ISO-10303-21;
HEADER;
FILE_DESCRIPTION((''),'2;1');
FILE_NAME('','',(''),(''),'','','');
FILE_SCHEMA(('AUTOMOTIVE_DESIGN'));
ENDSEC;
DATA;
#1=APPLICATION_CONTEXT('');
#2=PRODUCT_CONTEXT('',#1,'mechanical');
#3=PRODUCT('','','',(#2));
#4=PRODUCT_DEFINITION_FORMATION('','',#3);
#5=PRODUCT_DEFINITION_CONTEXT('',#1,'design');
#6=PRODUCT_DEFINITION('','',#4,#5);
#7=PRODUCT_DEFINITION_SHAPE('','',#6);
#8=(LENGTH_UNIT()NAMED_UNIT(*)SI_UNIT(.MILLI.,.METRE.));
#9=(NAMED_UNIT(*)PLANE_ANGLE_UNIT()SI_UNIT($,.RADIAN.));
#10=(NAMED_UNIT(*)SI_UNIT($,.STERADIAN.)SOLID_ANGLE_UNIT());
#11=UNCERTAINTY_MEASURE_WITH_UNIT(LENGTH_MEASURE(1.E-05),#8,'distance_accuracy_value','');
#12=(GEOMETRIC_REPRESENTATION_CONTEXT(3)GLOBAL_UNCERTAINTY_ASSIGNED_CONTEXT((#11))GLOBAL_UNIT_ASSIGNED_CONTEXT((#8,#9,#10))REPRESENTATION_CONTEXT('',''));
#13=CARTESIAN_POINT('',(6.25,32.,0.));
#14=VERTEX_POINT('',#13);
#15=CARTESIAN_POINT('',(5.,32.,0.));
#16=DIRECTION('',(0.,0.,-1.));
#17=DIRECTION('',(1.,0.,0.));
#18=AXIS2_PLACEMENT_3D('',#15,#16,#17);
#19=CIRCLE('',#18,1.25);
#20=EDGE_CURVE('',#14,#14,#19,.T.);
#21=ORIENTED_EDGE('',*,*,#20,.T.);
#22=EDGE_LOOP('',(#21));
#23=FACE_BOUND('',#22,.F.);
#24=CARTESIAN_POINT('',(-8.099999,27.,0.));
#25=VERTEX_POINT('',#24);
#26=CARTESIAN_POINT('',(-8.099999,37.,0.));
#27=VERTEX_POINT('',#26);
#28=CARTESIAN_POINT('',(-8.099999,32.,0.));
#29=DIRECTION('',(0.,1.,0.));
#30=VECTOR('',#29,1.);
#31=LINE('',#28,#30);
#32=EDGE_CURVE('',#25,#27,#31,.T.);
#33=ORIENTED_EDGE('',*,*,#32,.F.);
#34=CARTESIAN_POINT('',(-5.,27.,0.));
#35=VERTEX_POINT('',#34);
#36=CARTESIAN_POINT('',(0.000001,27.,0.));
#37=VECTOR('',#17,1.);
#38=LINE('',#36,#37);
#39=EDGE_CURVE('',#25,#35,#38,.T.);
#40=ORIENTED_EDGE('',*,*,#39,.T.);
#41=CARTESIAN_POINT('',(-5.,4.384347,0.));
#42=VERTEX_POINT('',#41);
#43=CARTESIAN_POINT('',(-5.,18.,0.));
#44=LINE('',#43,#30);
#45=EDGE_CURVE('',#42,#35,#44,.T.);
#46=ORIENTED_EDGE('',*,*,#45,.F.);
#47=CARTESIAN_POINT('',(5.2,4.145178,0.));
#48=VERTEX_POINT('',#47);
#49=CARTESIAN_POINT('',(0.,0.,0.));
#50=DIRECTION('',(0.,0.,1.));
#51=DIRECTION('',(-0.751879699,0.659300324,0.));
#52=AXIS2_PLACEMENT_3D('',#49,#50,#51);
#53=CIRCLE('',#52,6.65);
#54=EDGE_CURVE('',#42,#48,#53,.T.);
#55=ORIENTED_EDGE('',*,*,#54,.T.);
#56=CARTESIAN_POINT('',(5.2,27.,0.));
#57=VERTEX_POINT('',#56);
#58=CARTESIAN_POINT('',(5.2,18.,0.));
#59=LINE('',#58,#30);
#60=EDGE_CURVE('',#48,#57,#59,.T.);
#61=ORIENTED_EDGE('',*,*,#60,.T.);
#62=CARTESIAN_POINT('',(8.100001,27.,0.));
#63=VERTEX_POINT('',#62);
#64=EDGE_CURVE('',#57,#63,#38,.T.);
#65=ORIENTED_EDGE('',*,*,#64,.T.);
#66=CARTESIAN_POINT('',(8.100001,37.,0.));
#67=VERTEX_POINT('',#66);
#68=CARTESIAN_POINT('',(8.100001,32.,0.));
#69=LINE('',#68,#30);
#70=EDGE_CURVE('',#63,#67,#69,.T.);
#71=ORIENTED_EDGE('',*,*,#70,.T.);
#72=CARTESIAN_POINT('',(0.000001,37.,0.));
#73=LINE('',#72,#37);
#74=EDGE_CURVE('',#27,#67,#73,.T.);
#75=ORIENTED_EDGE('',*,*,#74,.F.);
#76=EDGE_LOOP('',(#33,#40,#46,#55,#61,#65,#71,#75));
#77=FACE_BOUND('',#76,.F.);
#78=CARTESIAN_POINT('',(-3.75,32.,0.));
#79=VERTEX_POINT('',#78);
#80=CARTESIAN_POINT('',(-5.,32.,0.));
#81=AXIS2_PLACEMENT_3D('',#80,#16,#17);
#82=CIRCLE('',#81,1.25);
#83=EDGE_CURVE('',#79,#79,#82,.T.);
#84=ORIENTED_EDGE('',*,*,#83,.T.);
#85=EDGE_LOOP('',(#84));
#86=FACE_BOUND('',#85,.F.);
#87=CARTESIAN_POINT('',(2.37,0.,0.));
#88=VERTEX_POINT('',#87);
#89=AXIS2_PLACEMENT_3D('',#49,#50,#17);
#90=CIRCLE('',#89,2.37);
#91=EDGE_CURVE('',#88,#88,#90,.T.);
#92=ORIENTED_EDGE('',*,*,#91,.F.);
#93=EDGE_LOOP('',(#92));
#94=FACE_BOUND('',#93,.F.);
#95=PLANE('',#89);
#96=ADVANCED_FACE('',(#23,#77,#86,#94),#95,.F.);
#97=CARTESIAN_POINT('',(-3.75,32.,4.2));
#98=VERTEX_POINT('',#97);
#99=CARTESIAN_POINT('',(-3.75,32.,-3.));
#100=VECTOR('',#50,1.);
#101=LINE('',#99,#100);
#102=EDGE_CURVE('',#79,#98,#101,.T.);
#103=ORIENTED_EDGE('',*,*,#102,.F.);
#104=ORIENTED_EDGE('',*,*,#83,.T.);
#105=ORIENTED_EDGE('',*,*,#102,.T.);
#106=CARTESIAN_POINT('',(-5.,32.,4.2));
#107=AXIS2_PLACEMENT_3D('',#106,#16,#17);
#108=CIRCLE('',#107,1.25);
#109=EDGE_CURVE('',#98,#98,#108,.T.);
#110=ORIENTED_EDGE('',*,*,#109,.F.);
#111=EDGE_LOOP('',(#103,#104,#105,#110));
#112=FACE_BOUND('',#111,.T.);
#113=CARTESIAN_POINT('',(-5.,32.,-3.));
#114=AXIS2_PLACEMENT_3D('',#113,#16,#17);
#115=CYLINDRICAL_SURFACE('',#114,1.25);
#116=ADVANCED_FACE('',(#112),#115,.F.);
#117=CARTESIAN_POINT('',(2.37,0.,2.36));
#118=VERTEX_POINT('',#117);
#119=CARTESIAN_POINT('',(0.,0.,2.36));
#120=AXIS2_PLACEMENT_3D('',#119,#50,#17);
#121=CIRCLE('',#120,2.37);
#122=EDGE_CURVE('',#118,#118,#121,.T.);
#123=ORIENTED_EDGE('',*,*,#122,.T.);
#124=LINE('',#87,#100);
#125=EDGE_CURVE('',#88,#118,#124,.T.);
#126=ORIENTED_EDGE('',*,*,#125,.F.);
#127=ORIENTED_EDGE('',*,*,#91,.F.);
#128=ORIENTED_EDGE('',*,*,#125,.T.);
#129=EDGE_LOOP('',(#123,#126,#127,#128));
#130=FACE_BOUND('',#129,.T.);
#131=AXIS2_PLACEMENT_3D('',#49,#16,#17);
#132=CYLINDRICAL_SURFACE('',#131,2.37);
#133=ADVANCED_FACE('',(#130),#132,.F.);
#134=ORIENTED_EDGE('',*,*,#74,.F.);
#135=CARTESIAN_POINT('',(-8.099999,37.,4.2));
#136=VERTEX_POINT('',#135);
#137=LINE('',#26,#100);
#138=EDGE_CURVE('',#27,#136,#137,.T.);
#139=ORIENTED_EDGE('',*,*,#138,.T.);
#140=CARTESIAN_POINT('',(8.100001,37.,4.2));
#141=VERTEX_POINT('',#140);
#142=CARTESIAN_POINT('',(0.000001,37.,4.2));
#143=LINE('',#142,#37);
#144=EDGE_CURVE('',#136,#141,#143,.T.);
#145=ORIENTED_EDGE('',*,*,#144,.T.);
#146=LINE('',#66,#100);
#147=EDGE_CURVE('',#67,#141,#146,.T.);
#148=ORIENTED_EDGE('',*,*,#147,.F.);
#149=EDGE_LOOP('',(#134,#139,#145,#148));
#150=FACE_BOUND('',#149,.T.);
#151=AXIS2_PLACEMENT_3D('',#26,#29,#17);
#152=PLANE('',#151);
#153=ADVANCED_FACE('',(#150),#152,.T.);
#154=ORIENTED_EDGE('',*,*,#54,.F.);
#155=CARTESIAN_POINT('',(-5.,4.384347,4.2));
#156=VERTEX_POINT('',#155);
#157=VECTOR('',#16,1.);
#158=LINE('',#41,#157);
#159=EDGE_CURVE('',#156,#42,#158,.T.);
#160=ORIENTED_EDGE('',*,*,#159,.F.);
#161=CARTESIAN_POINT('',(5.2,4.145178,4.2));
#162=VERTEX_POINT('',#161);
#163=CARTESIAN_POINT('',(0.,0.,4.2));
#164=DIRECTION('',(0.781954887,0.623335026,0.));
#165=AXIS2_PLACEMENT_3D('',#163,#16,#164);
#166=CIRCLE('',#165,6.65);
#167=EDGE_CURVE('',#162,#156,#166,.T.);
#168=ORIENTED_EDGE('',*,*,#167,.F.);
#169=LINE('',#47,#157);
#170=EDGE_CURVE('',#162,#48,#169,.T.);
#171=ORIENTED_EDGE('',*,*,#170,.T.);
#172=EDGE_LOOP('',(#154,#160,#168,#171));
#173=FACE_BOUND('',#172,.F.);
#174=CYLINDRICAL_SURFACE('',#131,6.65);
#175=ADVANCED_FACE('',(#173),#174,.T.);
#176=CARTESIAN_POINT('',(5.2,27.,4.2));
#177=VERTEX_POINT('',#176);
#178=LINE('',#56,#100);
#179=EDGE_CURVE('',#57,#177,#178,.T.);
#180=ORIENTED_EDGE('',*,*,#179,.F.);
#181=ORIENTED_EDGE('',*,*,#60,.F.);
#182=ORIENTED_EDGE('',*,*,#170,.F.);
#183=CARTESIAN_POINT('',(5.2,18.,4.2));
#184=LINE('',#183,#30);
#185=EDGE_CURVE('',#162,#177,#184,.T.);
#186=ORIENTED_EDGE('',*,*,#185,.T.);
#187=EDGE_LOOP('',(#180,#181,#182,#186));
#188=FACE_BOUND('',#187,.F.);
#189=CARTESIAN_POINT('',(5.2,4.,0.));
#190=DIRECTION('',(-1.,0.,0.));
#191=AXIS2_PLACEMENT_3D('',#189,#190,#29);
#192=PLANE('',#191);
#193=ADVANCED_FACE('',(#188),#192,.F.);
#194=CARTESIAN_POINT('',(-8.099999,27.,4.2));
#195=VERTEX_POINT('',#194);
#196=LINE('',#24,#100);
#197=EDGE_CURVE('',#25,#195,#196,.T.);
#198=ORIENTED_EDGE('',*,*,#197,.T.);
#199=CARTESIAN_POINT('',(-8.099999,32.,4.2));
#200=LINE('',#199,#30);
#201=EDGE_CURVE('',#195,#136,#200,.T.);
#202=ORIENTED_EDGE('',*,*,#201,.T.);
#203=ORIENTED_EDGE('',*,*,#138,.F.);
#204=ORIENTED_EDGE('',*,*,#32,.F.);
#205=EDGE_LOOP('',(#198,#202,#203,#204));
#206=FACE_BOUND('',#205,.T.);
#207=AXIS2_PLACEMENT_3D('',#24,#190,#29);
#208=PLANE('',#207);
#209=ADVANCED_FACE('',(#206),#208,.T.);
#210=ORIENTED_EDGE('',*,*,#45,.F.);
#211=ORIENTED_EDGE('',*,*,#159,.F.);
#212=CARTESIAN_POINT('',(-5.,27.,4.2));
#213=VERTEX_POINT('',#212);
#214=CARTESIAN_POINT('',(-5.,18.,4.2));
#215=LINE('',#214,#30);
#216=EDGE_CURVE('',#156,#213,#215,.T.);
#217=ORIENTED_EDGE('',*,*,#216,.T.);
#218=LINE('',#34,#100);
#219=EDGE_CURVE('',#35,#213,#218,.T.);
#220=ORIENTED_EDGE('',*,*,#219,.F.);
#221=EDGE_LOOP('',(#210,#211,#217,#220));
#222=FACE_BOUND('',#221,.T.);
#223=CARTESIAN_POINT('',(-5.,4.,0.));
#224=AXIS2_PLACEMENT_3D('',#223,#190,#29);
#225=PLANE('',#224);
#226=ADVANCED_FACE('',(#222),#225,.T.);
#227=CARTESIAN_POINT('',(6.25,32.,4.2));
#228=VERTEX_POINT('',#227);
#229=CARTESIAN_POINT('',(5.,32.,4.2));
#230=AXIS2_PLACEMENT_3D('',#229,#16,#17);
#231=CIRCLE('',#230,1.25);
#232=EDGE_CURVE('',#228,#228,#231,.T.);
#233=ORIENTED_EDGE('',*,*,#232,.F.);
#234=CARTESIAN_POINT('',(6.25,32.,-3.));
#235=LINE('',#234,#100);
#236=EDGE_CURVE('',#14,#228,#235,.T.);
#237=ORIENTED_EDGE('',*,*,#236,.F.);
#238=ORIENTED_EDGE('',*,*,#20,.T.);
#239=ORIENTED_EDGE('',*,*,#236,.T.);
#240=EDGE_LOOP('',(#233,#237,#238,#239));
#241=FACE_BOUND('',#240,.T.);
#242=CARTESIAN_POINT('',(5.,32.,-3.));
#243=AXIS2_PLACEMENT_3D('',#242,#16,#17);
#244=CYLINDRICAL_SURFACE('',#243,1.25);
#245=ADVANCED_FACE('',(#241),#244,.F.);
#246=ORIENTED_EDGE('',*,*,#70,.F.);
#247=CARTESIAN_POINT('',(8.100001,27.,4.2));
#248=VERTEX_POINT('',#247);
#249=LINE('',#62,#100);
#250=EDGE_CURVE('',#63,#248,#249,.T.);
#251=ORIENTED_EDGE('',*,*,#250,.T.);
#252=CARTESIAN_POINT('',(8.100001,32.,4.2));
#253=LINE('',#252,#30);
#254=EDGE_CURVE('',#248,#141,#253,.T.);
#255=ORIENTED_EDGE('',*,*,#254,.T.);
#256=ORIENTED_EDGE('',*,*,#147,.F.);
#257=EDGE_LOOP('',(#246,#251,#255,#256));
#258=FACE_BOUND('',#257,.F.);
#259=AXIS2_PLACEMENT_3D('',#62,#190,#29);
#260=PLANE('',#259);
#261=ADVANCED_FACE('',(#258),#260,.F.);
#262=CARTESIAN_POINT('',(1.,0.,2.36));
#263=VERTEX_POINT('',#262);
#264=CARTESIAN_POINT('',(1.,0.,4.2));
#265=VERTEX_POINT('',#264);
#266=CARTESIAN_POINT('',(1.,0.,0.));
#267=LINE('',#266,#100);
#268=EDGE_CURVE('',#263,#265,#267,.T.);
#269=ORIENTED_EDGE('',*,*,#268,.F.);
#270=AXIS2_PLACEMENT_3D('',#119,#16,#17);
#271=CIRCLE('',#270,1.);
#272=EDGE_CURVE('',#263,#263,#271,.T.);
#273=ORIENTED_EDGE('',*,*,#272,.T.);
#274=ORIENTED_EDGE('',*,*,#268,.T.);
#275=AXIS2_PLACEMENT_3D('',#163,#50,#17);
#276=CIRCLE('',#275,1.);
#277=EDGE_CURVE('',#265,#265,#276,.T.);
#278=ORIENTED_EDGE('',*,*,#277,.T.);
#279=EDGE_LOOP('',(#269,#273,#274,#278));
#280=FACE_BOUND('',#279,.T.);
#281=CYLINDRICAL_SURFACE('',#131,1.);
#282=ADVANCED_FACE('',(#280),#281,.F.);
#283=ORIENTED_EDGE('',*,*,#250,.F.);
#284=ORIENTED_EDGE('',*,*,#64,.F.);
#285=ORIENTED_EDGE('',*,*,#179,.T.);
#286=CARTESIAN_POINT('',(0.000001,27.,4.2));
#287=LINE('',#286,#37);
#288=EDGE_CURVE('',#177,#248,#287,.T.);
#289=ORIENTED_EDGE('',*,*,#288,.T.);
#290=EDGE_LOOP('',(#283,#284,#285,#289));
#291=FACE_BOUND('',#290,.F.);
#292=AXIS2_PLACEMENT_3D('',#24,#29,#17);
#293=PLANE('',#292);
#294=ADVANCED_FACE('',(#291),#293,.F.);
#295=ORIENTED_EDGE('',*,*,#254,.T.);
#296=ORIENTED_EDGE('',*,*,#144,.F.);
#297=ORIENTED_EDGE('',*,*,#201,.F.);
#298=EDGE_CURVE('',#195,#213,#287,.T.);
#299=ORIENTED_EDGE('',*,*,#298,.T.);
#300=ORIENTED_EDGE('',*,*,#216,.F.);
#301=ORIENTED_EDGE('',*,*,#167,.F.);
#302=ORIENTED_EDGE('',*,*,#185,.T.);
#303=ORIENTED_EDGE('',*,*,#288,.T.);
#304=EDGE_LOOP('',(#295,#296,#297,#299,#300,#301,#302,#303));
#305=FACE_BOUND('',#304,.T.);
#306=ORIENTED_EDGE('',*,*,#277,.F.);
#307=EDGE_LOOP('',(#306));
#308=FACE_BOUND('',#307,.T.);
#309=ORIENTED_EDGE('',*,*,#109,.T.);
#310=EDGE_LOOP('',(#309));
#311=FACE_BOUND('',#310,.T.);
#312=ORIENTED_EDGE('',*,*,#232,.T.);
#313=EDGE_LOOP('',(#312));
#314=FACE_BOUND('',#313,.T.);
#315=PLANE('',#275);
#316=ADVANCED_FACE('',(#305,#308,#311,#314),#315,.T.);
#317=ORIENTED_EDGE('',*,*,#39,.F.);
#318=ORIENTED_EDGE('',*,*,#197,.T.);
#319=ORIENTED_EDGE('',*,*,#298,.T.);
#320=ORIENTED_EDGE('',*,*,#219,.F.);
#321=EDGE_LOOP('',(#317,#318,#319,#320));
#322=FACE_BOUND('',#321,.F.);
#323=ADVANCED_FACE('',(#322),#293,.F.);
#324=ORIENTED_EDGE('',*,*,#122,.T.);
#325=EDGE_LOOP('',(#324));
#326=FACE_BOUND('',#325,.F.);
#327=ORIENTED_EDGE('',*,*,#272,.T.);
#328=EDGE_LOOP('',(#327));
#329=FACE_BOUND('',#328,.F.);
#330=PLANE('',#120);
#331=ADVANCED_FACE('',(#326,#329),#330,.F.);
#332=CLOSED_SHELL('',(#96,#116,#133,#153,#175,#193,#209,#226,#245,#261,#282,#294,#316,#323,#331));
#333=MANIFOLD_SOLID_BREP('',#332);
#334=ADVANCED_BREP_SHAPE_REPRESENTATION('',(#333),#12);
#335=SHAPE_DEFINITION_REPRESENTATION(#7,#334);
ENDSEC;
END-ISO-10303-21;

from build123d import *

# Parameters (mm, degrees)
CYLINDER004_R     = 1.25
CYLINDER004_DEPTH = 10
CYLINDER005_R     = 1.25
CYLINDER005_DEPTH = 10
CYLINDER013_R     = 1
CYLINDER013_DEPTH = 4.2
CYLINDER002_R     = 2.37
CYLINDER002_DEPTH = 2.36
BOX003_W          = 10.2
BOX003_H          = 28
BOX003_DEPTH      = 4.2
CYLINDER006_R     = 6.65
CYLINDER006_DEPTH = 4.2
BOX005_W          = 16.200001
BOX005_H          = 10
BOX005_DEPTH      = 4.2


with BuildPart() as cylinder004:
    # Cylinder004 → Cylinder004 (new body)
    with BuildSketch(Plane(origin=(5, 32, -3), x_dir=(1, 0, 0), z_dir=(0, 0, 1))):
        Circle(CYLINDER004_R)
    extrude(amount=CYLINDER004_DEPTH)


with BuildPart() as cylinder005:
    # Cylinder005 → Cylinder005 (new body)
    with BuildSketch(Plane(origin=(-5, 32, -3), x_dir=(1, 0, 0), z_dir=(0, 0, 1))):
        Circle(CYLINDER005_R)
    extrude(amount=CYLINDER005_DEPTH)


with BuildPart() as cylinder013:
    # Cylinder013 → Cylinder013 (new body)
    with BuildSketch(Plane.XY):
        Circle(CYLINDER013_R)
    extrude(amount=CYLINDER013_DEPTH)


with BuildPart() as fusion005002:
    # Cylinder002 → Cylinder002 (new body)
    with BuildSketch(Plane.XY):
        Circle(CYLINDER002_R)
    extrude(amount=CYLINDER002_DEPTH)

    # Fusion005002: union Cylinder004, Cylinder005, Cylinder013
    add(cylinder004.part)
    add(cylinder005.part)
    add(cylinder013.part)


with BuildPart() as box003:
    # Box003 → Box003 (new body)
    with BuildSketch(Plane(origin=(-5, 4, 0), x_dir=(1, 0, 0), z_dir=(0, 0, 1))):
        with Locations((5.1, 14)):
            Rectangle(BOX003_W, BOX003_H)
    extrude(amount=BOX003_DEPTH)


with BuildPart() as cylinder006:
    # Cylinder006 → Cylinder006 (new body)
    with BuildSketch(Plane.XY):
        Circle(CYLINDER006_R)
    extrude(amount=CYLINDER006_DEPTH)


with BuildPart() as horn:
    # Box005 → Box005 (new body)
    with BuildSketch(Plane(origin=(-8.1, 27, 0), x_dir=(1, 0, 0), z_dir=(0, 0, 1))):
        with Locations((8.100001, 5)):
            Rectangle(BOX005_W, BOX005_H)
    extrude(amount=BOX005_DEPTH)

    # Fusion003: union Box003, Cylinder006
    add(box003.part)
    add(cylinder006.part)

    # Cut002002003: cut Fusion005002
    add(fusion005002.part, mode=Mode.SUBTRACT)


solid = horn.part
